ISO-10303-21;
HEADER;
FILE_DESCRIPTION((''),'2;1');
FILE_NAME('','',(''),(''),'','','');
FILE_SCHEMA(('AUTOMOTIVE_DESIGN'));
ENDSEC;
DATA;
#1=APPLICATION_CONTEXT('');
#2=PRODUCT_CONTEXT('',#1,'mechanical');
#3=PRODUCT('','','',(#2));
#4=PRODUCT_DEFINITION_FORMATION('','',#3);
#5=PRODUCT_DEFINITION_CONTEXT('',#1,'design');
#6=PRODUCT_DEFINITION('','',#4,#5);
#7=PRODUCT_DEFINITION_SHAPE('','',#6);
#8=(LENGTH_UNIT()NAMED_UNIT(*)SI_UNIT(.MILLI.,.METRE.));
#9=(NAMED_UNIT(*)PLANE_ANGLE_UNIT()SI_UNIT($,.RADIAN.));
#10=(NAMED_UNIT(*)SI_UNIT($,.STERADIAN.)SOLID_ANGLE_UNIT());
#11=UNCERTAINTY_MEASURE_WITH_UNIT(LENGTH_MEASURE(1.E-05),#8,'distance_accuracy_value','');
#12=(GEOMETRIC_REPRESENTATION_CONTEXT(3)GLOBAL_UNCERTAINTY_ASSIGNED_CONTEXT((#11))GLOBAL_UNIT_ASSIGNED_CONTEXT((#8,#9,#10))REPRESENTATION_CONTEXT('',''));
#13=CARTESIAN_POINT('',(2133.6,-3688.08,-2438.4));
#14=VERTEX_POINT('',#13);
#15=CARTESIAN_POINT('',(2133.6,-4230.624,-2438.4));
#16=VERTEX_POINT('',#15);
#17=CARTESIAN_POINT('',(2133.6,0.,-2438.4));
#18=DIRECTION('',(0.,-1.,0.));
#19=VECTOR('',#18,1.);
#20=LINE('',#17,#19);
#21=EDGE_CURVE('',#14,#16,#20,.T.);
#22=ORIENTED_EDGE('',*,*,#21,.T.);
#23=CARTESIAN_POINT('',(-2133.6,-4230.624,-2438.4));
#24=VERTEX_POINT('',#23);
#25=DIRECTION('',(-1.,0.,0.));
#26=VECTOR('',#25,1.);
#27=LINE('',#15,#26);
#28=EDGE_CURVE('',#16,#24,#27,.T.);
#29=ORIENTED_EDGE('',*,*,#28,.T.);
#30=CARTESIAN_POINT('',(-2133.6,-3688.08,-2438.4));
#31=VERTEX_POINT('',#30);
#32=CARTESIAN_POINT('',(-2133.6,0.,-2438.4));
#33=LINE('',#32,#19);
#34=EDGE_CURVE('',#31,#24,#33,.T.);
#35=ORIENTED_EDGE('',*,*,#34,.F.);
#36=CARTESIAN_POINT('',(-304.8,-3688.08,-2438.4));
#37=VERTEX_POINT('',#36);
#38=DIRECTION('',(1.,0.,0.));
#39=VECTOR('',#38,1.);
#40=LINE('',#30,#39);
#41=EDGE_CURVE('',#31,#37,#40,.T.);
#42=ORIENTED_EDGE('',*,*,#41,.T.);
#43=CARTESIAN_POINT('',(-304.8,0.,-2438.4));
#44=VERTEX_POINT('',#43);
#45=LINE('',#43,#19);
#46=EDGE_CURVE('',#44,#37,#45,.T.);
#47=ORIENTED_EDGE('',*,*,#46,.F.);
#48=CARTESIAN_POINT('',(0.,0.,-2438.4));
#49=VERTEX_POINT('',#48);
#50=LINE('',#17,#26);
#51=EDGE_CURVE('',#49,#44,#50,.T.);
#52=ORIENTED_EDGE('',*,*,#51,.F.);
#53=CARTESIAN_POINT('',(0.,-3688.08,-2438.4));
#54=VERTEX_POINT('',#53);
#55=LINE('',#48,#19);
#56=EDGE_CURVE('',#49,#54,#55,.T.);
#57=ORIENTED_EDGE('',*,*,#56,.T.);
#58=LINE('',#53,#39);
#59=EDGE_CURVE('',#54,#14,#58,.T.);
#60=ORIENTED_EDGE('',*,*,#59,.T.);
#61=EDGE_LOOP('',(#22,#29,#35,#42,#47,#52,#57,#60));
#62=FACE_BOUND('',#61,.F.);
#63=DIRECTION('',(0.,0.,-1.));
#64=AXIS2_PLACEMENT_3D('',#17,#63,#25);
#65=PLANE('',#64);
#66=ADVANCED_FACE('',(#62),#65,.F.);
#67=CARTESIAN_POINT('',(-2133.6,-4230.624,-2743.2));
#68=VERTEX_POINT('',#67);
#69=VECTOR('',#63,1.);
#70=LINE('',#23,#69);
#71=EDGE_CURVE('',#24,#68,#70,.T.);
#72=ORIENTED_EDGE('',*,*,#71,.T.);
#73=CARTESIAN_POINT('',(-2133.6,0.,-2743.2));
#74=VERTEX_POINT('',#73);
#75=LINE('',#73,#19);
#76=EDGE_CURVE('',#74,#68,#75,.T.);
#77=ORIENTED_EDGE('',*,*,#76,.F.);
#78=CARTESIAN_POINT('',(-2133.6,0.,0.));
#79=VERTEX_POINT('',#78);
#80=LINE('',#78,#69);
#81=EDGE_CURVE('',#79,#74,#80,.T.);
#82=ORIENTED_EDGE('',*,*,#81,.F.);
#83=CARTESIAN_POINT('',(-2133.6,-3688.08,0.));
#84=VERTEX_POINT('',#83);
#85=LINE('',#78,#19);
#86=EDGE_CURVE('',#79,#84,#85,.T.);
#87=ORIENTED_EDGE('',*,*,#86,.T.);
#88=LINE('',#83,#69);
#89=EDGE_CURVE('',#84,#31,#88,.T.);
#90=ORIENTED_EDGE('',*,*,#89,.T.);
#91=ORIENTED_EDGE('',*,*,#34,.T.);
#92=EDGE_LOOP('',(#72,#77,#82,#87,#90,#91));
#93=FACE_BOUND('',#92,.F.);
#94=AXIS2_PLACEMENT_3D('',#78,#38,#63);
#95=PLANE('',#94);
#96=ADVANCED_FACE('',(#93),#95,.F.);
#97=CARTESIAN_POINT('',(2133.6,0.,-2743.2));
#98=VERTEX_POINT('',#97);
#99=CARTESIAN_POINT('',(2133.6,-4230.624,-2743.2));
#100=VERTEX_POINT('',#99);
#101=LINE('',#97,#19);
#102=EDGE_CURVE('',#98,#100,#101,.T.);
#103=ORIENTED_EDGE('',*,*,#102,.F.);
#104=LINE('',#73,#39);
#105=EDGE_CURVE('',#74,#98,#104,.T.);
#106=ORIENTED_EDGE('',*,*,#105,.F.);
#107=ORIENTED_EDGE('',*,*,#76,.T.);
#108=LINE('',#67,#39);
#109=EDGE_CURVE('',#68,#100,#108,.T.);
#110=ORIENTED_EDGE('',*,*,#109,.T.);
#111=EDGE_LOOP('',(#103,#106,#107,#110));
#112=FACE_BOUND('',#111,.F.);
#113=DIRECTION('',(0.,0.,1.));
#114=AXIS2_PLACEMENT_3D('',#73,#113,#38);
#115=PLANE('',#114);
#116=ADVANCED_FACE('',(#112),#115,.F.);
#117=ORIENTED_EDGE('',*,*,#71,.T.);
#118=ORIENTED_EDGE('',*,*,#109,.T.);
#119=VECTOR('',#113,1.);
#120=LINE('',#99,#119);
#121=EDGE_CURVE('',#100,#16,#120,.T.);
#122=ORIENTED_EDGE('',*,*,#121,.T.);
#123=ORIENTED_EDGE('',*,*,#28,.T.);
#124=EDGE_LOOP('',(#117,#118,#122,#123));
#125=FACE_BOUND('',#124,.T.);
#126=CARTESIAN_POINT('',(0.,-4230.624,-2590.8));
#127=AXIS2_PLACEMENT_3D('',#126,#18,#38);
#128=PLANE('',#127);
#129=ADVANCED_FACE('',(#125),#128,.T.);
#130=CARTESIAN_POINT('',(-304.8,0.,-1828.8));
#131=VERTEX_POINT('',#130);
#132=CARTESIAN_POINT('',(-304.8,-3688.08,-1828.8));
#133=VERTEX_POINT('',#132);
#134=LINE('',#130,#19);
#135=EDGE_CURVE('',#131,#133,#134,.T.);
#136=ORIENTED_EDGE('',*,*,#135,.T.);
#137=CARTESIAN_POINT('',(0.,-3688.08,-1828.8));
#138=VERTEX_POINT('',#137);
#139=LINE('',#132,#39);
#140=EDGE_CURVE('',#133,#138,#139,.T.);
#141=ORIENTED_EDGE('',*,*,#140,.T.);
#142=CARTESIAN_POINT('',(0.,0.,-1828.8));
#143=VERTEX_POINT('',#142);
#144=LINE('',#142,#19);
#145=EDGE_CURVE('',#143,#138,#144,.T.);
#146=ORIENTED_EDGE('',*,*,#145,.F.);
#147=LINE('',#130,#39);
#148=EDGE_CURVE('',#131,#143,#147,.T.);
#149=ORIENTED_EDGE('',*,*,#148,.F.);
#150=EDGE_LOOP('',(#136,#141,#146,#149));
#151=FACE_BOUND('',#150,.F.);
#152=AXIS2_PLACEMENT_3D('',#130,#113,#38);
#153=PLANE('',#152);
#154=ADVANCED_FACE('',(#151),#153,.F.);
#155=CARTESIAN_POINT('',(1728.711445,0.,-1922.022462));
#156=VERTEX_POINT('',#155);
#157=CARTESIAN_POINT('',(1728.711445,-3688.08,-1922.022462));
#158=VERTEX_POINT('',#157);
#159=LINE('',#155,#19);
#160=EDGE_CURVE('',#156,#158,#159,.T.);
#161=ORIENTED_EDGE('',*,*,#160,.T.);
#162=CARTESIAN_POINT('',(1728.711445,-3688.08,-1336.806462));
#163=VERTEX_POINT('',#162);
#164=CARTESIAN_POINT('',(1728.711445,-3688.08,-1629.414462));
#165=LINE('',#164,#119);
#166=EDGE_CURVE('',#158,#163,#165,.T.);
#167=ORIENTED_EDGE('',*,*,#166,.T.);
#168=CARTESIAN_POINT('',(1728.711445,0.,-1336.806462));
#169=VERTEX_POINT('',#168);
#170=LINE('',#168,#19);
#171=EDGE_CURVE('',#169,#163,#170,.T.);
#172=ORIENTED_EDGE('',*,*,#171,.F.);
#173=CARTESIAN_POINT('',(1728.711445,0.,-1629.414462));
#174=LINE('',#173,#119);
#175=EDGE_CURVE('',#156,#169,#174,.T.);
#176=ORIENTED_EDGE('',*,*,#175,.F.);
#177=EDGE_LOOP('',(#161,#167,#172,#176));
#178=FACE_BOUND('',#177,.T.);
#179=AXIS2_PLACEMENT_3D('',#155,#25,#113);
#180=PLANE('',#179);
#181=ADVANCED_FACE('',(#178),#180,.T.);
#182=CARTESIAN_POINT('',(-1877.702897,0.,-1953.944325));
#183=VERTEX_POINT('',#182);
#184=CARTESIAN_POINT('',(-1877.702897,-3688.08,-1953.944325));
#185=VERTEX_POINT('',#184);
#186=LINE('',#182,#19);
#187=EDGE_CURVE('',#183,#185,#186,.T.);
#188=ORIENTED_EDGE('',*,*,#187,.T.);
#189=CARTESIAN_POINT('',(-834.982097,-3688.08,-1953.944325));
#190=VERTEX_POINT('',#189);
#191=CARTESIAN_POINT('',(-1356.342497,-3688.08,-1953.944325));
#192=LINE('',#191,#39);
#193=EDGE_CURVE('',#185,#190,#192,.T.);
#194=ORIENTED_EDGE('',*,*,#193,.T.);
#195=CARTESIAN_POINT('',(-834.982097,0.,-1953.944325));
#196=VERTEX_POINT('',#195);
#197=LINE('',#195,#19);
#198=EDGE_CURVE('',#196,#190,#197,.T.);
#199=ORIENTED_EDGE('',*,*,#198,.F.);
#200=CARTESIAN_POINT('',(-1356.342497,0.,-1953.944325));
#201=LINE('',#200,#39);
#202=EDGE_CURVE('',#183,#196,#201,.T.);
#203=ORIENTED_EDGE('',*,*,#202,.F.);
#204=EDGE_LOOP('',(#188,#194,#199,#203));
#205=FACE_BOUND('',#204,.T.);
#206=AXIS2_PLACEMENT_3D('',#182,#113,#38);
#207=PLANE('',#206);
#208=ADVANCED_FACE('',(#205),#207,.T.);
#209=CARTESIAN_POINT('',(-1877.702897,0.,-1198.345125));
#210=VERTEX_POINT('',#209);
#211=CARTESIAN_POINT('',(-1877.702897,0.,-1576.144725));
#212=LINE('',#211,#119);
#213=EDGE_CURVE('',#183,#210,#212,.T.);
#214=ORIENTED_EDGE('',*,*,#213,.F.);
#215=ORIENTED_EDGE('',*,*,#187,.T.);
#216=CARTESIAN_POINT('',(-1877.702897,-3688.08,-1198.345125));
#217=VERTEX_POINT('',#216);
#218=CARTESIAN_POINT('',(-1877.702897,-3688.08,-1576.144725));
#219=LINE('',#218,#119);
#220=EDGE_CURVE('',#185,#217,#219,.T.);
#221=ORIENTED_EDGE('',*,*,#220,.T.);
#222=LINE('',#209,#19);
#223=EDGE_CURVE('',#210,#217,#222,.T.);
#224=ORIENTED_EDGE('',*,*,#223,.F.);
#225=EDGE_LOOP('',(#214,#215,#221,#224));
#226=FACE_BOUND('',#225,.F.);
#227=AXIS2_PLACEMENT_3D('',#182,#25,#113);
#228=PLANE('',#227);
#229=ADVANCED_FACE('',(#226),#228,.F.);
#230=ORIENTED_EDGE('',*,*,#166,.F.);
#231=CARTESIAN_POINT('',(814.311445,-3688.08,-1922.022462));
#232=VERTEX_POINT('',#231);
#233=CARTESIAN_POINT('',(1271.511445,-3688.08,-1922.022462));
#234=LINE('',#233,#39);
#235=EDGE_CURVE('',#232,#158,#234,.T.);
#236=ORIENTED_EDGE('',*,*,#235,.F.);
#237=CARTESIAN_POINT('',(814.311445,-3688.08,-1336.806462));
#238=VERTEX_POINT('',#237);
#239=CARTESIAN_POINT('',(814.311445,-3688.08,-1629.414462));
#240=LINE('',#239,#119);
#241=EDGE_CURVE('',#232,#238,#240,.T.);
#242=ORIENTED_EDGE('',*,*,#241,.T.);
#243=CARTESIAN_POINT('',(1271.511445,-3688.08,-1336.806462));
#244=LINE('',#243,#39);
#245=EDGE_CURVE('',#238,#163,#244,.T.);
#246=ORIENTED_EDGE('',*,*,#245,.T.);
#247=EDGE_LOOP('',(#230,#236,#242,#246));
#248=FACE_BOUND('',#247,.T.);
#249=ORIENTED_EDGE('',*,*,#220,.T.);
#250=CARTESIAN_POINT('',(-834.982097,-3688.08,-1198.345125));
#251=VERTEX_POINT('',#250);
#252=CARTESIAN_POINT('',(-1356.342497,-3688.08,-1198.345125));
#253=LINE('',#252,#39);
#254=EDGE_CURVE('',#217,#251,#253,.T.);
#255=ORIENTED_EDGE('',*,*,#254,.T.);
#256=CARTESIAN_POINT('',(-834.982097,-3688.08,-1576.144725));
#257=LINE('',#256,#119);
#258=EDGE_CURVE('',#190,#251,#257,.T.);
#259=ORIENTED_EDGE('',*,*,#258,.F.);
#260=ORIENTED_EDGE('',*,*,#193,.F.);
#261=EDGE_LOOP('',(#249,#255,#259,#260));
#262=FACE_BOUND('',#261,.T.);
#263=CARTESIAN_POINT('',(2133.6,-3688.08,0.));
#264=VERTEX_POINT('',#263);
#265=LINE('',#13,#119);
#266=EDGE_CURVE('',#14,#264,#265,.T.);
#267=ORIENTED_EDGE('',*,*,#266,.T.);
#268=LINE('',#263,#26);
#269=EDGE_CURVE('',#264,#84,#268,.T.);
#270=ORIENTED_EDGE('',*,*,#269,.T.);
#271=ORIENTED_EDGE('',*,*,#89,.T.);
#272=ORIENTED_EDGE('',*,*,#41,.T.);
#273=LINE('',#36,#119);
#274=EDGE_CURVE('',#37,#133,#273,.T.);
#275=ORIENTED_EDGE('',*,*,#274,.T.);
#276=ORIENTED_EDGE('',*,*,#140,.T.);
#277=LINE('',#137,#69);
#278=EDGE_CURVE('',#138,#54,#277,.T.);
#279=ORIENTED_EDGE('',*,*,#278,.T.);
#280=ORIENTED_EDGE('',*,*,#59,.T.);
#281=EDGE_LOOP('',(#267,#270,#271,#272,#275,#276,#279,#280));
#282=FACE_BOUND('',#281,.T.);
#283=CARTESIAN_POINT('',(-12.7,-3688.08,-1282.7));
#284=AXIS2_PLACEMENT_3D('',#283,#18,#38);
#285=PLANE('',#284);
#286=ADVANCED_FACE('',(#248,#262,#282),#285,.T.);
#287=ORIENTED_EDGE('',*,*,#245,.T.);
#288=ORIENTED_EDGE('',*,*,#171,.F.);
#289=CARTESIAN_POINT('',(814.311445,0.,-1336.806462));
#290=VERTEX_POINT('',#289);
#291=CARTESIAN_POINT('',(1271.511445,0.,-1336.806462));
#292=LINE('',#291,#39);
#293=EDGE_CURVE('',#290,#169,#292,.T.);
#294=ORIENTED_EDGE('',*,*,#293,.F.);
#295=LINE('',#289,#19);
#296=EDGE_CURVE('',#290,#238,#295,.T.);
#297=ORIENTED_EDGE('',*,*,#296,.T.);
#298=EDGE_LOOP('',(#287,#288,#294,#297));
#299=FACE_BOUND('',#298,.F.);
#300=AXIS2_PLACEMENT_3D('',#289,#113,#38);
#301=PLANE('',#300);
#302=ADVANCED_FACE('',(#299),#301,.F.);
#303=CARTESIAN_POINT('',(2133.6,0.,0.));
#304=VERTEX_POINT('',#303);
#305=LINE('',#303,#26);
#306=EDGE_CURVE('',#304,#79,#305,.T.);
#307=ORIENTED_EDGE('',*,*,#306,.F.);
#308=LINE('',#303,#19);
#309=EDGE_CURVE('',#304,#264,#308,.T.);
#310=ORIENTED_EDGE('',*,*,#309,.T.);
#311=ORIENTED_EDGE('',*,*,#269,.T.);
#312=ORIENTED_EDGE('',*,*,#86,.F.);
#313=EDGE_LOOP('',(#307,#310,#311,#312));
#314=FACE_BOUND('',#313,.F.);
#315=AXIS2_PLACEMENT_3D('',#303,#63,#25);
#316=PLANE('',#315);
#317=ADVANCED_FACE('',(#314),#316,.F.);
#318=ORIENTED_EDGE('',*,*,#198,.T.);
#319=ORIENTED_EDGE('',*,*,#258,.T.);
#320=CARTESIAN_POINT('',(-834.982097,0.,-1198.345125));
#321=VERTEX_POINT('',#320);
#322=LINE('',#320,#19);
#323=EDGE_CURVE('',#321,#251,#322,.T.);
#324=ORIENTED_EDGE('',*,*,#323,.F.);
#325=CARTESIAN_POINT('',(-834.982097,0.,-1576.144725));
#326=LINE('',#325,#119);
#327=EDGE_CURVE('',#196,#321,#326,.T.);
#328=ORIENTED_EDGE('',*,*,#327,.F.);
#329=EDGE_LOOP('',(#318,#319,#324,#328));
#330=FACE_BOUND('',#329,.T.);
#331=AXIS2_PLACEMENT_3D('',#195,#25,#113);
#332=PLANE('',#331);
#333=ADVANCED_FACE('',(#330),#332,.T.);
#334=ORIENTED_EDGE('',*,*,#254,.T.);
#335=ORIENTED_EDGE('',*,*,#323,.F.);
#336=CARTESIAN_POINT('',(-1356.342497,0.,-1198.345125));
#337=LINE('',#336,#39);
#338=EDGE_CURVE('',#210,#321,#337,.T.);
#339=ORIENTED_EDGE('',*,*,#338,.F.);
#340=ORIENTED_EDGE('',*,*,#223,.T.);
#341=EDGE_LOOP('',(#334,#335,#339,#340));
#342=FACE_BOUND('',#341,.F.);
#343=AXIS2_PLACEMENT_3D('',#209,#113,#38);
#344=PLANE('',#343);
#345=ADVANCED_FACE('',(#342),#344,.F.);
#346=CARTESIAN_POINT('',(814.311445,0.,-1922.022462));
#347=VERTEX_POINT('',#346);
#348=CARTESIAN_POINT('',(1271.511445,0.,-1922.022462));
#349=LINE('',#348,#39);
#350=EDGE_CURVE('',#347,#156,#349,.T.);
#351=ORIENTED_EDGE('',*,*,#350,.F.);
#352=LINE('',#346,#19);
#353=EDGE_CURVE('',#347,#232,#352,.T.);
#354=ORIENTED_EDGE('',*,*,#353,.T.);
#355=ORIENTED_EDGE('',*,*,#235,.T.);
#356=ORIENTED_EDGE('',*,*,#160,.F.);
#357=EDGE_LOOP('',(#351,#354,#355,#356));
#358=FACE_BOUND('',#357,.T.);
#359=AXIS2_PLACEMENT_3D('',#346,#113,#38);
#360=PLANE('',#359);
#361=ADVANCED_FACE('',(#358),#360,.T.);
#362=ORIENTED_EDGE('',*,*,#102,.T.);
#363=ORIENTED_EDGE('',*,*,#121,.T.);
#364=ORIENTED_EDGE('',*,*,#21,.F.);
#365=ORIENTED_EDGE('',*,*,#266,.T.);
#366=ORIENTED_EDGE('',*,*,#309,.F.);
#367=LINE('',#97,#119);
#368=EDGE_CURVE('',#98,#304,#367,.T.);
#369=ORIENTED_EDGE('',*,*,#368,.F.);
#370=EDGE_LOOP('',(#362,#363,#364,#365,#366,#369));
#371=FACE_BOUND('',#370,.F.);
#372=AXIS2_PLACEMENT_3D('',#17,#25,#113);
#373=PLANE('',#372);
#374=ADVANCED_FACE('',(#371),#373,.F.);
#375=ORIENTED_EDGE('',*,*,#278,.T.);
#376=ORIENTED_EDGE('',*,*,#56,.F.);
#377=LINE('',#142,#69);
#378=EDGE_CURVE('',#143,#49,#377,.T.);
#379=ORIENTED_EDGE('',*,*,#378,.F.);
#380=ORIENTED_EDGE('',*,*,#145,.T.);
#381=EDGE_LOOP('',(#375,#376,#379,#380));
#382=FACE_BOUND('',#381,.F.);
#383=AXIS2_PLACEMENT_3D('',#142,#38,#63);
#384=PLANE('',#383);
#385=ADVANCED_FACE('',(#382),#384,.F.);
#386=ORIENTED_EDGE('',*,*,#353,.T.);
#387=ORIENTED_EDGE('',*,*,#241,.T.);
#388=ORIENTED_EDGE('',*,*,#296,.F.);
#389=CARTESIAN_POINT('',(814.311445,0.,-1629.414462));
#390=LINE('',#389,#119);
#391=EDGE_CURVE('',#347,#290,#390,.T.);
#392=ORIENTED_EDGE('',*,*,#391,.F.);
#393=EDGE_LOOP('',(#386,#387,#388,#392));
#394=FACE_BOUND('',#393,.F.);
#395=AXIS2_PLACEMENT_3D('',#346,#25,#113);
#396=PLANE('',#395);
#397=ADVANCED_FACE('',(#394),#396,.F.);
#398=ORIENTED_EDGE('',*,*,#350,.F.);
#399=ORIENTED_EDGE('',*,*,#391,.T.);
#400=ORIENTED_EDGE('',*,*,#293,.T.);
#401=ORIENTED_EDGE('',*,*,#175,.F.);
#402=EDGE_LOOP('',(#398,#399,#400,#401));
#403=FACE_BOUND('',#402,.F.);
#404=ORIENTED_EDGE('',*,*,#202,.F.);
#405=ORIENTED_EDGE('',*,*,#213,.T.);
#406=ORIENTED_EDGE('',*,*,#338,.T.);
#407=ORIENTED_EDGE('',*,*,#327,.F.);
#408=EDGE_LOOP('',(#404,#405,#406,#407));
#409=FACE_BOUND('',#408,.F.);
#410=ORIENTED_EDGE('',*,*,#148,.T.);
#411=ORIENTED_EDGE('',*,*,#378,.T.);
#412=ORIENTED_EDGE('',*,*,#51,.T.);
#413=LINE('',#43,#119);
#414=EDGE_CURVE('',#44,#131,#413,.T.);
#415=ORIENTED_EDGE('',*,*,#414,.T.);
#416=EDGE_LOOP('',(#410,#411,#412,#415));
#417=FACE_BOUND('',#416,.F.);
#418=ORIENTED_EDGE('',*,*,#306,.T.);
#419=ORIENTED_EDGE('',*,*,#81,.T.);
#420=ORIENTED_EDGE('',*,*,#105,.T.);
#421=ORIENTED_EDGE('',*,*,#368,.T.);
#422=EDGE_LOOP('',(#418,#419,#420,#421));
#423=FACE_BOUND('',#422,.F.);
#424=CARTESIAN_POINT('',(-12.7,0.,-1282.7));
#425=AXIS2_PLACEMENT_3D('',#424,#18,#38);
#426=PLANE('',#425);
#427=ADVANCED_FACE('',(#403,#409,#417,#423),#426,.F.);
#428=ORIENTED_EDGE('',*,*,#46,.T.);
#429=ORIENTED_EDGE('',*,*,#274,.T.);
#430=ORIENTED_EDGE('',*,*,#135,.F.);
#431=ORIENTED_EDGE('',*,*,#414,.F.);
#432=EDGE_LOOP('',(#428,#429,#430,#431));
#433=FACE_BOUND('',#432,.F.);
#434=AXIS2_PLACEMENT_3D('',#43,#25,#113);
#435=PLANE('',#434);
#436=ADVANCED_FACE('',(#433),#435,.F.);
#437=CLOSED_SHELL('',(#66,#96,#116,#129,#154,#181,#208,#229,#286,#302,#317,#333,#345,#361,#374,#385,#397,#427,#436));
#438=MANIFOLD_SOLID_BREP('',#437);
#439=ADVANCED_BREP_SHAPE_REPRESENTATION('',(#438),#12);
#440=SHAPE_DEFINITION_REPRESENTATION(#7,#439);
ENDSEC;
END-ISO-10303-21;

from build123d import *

# Parameters (mm, degrees)
F1_DEPTH = 4230.624
F0_W     = 1042.7208
F0_H     = 755.5992
F0_W_2   = 914.4
F0_H_2   = 585.216
F2_DEPTH = 3688.08


with BuildPart() as f1:
    # F0 (on Front) → F1 (new body)
    with BuildSketch(Plane.XZ):
        Polygon((2133.6, -2743.2), (2133.6, -2438.4), (0, -2438.4), (-304.8, -2438.4), (-2133.6, -2438.4), (-2133.6, -2743.2), align=None)
    extrude(amount=F1_DEPTH)

    # F0 (on Front) → F2 (join)
    with BuildSketch(Plane.XZ):
        Polygon((2133.6, 0), (0, 0), (-2133.6, 0), (-2133.6, -2438.4), (-304.8, -2438.4), (-304.8, -1828.8), (0, -1828.8), (0, -2438.4), (2133.6, -2438.4), align=None)
        with Locations((-1356.3424971489, -1576.1447254471)):
            Rectangle(F0_W, F0_H, mode=Mode.SUBTRACT)
        with Locations((1271.5114447594, -1629.4144618912)):
            Rectangle(F0_W_2, F0_H_2, mode=Mode.SUBTRACT)
    extrude(amount=F2_DEPTH)


solid = f1.part
